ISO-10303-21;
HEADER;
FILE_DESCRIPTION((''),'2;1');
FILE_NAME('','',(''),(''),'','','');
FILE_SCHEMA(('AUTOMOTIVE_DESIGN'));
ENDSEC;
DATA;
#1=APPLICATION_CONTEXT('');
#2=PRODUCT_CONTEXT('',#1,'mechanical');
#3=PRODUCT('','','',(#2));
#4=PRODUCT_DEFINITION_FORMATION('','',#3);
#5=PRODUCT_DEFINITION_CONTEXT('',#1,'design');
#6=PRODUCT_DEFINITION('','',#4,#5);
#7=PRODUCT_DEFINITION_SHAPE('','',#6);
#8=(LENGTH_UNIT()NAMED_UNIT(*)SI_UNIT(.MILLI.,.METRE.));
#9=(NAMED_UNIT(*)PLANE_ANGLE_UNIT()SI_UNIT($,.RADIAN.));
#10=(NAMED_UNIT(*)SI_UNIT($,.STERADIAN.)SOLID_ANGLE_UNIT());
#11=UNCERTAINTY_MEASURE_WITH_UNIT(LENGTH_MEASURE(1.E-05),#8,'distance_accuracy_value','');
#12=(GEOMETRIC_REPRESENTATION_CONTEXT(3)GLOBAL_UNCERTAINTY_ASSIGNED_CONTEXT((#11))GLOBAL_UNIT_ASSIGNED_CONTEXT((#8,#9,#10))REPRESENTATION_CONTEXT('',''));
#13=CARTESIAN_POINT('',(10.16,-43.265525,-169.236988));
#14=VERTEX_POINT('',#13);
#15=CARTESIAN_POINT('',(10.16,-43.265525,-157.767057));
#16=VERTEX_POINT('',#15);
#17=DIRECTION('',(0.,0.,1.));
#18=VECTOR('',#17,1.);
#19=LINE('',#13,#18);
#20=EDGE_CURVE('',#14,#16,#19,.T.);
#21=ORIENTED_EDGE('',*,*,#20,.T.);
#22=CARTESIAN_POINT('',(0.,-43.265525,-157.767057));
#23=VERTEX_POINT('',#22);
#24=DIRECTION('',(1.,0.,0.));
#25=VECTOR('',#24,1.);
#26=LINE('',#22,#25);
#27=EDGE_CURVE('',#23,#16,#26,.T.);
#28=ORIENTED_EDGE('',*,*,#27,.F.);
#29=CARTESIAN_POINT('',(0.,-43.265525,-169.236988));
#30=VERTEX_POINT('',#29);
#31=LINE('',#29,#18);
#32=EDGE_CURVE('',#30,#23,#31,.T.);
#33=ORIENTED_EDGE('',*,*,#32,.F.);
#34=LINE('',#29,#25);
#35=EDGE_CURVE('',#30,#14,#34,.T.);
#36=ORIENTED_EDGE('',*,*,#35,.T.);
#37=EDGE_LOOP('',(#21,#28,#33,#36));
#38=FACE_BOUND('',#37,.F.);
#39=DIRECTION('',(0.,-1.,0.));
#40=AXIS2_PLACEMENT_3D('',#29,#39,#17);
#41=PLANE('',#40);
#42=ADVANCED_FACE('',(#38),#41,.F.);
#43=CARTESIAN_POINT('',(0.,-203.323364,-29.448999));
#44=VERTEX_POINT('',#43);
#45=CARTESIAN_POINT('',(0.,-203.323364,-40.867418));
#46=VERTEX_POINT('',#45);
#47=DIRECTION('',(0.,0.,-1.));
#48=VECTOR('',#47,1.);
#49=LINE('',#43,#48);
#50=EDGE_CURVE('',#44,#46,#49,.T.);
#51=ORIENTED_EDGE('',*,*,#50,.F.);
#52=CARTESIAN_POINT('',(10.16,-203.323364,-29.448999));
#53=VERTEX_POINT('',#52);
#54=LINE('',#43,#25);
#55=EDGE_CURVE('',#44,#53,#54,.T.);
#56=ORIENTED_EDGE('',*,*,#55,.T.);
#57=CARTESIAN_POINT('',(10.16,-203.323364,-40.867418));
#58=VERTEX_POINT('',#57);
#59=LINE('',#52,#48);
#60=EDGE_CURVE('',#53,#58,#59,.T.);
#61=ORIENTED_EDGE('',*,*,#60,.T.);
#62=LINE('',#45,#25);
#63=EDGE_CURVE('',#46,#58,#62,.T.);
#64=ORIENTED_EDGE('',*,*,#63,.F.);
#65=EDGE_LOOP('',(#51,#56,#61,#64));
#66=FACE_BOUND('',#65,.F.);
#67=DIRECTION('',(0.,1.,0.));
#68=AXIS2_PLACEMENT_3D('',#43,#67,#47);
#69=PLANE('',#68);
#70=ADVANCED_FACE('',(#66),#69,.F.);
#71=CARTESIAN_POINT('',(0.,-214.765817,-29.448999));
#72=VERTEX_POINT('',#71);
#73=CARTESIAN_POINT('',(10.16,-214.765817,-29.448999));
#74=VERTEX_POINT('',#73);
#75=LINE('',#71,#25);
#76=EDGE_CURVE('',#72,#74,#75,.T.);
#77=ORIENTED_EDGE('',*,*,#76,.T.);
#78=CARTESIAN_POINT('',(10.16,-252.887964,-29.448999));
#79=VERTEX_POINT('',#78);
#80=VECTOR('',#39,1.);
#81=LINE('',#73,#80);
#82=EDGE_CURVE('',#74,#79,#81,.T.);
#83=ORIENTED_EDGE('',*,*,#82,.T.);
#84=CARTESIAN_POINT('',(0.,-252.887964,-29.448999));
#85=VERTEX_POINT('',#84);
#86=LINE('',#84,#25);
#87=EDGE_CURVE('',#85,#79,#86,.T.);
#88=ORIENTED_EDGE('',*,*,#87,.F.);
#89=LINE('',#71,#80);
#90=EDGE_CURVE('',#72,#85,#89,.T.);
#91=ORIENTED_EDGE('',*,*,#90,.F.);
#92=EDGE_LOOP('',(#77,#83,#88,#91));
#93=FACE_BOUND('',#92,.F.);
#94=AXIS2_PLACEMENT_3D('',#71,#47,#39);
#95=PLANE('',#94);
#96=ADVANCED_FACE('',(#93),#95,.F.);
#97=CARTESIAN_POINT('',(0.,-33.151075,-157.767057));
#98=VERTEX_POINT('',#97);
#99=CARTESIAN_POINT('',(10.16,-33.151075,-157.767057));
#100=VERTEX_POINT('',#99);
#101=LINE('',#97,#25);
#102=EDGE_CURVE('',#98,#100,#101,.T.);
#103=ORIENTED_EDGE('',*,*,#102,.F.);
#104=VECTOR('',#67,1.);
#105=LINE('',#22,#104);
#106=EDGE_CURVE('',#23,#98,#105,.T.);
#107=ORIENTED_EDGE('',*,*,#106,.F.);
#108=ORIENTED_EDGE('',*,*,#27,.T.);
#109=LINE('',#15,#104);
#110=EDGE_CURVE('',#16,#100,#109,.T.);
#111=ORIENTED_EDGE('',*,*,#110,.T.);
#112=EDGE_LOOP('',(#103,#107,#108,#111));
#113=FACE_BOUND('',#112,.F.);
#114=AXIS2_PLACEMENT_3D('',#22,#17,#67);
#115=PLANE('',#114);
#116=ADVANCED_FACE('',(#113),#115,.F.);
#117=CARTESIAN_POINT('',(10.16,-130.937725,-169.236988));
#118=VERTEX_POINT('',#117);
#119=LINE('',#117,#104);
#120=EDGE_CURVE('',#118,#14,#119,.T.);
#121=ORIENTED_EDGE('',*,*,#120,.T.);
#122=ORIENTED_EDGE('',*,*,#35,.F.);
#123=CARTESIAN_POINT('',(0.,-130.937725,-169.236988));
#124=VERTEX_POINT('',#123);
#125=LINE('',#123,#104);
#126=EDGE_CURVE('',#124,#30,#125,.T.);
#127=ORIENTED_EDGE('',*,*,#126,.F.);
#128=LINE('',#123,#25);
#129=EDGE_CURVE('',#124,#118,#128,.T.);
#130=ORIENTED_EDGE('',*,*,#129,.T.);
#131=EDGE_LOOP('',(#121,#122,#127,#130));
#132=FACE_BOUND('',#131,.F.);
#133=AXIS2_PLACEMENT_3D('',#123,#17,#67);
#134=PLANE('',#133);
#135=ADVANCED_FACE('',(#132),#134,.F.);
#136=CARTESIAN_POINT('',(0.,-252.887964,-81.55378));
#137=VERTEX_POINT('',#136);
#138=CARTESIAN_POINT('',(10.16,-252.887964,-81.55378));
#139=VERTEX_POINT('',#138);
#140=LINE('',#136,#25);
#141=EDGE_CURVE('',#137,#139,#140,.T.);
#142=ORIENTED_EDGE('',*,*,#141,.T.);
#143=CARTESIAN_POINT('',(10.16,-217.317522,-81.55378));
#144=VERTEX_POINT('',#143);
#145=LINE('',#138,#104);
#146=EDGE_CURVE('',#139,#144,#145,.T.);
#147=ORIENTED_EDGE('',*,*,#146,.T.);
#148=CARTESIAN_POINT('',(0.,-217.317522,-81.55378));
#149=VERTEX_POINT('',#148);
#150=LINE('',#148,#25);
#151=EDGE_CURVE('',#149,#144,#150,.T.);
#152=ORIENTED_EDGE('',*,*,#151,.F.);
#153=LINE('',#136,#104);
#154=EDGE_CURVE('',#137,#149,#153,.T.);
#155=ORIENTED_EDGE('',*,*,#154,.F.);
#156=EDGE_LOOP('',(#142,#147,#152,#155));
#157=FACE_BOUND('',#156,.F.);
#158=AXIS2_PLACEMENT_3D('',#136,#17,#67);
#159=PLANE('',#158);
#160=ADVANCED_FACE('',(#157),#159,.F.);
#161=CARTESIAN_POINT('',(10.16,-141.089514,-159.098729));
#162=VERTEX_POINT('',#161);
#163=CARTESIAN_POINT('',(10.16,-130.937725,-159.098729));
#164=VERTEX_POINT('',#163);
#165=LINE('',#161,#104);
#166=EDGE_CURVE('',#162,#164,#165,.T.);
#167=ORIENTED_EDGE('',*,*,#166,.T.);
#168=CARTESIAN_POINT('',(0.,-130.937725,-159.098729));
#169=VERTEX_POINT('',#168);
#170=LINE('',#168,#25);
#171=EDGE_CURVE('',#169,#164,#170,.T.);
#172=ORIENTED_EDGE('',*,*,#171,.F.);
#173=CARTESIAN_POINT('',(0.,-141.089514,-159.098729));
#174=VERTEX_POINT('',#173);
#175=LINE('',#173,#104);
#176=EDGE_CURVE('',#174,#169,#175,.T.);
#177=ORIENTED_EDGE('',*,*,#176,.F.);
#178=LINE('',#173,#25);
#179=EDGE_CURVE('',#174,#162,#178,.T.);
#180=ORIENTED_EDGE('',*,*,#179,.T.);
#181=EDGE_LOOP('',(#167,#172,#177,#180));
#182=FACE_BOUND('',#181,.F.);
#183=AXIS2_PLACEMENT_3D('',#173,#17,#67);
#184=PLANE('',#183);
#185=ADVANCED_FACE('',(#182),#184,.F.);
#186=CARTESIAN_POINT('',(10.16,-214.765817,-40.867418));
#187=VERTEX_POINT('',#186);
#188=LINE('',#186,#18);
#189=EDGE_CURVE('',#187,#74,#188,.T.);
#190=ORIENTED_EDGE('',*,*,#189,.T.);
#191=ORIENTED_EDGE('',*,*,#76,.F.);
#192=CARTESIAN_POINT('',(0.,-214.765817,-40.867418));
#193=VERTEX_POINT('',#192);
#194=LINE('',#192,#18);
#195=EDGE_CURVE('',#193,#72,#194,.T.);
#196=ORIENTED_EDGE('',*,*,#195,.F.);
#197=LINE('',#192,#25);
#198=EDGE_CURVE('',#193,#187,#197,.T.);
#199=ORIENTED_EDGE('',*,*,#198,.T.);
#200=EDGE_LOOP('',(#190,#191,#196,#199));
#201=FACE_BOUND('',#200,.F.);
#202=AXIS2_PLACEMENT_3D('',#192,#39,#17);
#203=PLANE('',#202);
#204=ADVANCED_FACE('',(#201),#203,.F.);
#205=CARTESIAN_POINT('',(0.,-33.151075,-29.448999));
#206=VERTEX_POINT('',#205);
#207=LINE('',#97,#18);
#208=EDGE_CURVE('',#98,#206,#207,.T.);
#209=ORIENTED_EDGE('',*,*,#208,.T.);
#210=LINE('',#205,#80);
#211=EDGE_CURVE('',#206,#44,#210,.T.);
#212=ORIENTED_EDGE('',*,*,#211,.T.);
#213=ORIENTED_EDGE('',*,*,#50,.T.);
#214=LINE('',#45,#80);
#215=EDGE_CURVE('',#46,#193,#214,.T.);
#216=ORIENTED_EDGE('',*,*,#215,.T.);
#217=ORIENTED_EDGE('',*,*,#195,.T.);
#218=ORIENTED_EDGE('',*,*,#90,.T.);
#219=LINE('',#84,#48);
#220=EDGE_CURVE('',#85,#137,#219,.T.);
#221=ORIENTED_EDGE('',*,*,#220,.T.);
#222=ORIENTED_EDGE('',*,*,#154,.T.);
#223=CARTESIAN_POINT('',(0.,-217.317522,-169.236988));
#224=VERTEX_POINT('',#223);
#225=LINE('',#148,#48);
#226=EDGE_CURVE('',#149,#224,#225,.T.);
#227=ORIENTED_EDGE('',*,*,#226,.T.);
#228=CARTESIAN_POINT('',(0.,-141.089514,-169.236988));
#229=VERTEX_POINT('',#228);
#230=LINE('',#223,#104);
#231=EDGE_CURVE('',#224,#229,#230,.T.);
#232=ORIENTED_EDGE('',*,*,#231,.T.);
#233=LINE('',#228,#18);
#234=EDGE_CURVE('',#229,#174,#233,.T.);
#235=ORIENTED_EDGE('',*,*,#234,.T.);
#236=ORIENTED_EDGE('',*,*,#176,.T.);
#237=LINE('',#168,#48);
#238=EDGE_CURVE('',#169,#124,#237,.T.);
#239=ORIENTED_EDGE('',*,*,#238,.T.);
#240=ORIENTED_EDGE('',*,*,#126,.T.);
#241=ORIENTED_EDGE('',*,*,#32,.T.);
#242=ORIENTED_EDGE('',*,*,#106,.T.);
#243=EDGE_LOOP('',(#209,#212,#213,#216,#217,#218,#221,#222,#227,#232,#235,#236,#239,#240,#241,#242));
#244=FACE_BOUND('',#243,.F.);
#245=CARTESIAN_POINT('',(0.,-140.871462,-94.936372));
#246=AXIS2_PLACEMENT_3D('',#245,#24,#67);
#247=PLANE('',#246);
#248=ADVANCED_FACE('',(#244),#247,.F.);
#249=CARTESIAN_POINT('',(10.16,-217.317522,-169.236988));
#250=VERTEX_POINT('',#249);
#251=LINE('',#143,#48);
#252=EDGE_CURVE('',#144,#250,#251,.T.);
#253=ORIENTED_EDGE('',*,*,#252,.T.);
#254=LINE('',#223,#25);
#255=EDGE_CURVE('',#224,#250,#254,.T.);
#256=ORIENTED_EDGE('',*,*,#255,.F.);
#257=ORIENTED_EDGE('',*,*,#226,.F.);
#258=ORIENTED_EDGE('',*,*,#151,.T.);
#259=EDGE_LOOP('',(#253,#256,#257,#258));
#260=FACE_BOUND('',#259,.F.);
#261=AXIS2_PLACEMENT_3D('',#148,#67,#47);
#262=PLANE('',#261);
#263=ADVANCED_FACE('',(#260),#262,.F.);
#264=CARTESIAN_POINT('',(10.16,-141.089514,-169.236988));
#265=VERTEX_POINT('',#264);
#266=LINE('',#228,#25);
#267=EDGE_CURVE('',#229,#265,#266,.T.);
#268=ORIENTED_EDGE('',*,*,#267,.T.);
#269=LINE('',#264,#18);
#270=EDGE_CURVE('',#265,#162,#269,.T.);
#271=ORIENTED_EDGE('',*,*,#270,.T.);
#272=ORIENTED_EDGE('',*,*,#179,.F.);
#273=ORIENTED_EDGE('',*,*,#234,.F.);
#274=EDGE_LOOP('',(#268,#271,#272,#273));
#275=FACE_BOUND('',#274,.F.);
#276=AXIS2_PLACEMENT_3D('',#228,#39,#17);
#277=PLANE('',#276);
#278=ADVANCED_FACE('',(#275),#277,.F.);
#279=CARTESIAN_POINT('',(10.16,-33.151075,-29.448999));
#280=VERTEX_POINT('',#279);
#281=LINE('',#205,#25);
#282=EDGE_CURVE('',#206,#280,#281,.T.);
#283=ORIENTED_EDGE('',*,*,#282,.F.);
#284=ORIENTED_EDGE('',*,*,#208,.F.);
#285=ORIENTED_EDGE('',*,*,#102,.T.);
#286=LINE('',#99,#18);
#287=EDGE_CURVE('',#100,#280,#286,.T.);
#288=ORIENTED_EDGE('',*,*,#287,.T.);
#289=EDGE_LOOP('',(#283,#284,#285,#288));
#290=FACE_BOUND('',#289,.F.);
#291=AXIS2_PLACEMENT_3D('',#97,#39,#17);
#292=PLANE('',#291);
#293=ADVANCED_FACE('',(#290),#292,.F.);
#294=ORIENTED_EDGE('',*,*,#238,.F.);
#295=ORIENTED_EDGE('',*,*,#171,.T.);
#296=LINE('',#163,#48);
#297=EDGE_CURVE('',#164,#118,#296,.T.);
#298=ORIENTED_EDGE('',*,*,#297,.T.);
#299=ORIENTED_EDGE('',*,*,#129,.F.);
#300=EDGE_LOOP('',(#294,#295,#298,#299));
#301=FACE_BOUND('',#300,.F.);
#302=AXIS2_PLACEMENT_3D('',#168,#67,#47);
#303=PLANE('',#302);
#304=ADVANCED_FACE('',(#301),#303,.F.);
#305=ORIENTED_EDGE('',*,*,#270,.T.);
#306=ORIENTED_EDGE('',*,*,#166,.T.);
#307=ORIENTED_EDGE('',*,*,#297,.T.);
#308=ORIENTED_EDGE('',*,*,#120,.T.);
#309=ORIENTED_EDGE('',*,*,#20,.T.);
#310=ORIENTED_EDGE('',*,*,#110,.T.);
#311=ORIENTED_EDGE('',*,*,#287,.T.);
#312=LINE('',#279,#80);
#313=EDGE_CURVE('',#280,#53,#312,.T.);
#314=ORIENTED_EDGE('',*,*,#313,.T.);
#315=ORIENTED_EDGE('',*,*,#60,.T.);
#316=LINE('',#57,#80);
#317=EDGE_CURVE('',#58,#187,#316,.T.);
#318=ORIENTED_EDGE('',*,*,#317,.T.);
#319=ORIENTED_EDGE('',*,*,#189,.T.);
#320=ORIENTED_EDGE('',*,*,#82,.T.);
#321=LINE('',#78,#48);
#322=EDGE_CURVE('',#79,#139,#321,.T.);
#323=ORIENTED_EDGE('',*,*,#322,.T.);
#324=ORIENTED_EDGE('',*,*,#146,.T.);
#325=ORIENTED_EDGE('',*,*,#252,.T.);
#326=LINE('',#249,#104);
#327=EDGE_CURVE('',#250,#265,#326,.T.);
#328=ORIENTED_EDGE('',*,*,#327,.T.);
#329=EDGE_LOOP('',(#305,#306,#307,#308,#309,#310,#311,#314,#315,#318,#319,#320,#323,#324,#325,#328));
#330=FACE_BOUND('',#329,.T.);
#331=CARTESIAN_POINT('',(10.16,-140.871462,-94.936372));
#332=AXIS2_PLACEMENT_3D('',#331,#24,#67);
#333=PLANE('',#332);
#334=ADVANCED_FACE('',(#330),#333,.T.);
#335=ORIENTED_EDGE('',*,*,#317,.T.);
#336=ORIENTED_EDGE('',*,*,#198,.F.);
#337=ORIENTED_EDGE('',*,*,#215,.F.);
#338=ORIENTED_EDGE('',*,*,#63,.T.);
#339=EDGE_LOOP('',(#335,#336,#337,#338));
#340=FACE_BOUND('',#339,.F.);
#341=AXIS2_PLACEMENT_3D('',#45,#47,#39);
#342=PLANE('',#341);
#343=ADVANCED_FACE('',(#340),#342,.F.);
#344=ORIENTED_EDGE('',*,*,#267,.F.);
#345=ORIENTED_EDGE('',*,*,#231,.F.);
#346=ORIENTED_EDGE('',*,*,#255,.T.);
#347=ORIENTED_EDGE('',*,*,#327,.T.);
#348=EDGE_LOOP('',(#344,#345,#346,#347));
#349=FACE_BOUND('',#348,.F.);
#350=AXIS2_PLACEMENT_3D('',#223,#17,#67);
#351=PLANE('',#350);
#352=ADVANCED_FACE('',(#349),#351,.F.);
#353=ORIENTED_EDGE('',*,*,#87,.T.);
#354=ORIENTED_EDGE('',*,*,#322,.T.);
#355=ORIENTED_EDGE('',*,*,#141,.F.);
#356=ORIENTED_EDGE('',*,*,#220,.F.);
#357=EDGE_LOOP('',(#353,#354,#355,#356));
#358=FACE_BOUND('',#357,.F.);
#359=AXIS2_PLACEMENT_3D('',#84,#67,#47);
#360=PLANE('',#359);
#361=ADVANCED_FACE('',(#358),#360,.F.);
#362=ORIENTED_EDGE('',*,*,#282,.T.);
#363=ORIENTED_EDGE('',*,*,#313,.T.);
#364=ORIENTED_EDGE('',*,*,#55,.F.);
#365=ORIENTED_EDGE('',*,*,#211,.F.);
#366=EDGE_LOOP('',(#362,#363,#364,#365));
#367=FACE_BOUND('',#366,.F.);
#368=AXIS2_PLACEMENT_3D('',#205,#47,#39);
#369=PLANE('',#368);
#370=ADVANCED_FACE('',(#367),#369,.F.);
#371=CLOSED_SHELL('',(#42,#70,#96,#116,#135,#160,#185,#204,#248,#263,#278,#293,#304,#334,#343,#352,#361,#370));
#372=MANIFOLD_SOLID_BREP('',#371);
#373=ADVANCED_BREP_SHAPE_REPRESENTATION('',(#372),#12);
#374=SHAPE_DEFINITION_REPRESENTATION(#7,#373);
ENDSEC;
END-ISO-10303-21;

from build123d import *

# Parameters (mm, degrees)
F1_DEPTH = 10.16


with BuildPart() as f1:
    # F0 (on Right) → F1 (new body)
    with BuildSketch(Plane.YZ):
        Polygon((-33.151075, -29.448999), (-43.265525, -29.448999), (-203.323364, -29.448999), (-203.323364, -40.867418), (-214.765817, -40.867418), (-214.765817, -29.448999), (-252.887964, -29.448999), (-252.887964, -81.55378), (-217.317522, -81.55378), (-217.317522, -169.236988), (-141.089514, -169.236988), (-141.089514, -159.098729), (-130.937725, -159.098729), (-130.937725, -169.236988), (-43.265525, -169.236988), (-43.265525, -157.767057), (-33.151075, -157.767057), align=None)
    extrude(amount=F1_DEPTH)


solid = f1.part
